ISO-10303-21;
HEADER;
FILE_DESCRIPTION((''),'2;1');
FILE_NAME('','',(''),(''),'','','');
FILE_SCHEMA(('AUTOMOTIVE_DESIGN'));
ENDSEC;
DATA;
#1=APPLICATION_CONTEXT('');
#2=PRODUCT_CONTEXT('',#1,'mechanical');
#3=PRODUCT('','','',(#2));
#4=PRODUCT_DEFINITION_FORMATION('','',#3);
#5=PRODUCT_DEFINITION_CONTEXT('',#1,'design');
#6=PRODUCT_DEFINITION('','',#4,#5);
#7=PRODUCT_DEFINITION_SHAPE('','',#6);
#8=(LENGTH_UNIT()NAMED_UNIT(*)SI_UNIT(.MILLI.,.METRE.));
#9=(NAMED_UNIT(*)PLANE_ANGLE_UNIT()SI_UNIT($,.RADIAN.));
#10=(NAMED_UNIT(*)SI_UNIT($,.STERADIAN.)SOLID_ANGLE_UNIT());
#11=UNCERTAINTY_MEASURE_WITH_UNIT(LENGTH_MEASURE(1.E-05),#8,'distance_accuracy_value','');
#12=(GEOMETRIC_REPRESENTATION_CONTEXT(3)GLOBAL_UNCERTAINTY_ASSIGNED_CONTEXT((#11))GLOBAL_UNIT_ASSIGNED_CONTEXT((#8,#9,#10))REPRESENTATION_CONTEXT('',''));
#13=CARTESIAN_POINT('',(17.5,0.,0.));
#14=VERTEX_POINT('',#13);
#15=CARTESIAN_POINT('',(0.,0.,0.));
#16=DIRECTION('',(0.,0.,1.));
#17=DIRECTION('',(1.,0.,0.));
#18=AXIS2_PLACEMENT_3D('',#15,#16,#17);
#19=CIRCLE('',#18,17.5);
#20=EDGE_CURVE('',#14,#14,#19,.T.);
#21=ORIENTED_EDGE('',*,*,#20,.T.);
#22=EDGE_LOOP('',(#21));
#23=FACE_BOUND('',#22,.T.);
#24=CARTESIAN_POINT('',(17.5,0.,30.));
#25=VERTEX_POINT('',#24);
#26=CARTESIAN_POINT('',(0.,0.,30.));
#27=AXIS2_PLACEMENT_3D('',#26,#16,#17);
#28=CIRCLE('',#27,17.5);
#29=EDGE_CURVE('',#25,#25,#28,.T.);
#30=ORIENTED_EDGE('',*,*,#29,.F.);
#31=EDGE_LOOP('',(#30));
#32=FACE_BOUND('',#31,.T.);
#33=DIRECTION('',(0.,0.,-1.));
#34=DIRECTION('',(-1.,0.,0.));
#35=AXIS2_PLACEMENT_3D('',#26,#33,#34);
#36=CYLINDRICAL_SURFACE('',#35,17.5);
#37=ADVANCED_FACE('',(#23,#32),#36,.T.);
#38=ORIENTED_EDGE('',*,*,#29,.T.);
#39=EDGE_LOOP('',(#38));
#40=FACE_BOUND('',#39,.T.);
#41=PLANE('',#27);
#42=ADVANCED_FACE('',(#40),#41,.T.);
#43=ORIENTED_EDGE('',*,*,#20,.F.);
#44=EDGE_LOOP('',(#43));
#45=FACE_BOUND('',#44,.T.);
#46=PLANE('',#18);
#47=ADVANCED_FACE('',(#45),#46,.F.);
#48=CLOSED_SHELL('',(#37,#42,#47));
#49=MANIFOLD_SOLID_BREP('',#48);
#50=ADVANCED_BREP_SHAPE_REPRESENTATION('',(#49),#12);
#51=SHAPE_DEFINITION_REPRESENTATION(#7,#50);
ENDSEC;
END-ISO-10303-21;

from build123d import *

# Parameters (mm, degrees)
SZKIC1_R                    = 17.5
DODANIE_WYCI_GNI_CIE1_DEPTH = 30


with BuildPart() as part:
    # Szkic1 → Dodanie-wyciągnięcie1 (new body)
    with BuildSketch(Plane.XY):
        Circle(SZKIC1_R)
    extrude(amount=DODANIE_WYCI_GNI_CIE1_DEPTH)


solid = part.part
